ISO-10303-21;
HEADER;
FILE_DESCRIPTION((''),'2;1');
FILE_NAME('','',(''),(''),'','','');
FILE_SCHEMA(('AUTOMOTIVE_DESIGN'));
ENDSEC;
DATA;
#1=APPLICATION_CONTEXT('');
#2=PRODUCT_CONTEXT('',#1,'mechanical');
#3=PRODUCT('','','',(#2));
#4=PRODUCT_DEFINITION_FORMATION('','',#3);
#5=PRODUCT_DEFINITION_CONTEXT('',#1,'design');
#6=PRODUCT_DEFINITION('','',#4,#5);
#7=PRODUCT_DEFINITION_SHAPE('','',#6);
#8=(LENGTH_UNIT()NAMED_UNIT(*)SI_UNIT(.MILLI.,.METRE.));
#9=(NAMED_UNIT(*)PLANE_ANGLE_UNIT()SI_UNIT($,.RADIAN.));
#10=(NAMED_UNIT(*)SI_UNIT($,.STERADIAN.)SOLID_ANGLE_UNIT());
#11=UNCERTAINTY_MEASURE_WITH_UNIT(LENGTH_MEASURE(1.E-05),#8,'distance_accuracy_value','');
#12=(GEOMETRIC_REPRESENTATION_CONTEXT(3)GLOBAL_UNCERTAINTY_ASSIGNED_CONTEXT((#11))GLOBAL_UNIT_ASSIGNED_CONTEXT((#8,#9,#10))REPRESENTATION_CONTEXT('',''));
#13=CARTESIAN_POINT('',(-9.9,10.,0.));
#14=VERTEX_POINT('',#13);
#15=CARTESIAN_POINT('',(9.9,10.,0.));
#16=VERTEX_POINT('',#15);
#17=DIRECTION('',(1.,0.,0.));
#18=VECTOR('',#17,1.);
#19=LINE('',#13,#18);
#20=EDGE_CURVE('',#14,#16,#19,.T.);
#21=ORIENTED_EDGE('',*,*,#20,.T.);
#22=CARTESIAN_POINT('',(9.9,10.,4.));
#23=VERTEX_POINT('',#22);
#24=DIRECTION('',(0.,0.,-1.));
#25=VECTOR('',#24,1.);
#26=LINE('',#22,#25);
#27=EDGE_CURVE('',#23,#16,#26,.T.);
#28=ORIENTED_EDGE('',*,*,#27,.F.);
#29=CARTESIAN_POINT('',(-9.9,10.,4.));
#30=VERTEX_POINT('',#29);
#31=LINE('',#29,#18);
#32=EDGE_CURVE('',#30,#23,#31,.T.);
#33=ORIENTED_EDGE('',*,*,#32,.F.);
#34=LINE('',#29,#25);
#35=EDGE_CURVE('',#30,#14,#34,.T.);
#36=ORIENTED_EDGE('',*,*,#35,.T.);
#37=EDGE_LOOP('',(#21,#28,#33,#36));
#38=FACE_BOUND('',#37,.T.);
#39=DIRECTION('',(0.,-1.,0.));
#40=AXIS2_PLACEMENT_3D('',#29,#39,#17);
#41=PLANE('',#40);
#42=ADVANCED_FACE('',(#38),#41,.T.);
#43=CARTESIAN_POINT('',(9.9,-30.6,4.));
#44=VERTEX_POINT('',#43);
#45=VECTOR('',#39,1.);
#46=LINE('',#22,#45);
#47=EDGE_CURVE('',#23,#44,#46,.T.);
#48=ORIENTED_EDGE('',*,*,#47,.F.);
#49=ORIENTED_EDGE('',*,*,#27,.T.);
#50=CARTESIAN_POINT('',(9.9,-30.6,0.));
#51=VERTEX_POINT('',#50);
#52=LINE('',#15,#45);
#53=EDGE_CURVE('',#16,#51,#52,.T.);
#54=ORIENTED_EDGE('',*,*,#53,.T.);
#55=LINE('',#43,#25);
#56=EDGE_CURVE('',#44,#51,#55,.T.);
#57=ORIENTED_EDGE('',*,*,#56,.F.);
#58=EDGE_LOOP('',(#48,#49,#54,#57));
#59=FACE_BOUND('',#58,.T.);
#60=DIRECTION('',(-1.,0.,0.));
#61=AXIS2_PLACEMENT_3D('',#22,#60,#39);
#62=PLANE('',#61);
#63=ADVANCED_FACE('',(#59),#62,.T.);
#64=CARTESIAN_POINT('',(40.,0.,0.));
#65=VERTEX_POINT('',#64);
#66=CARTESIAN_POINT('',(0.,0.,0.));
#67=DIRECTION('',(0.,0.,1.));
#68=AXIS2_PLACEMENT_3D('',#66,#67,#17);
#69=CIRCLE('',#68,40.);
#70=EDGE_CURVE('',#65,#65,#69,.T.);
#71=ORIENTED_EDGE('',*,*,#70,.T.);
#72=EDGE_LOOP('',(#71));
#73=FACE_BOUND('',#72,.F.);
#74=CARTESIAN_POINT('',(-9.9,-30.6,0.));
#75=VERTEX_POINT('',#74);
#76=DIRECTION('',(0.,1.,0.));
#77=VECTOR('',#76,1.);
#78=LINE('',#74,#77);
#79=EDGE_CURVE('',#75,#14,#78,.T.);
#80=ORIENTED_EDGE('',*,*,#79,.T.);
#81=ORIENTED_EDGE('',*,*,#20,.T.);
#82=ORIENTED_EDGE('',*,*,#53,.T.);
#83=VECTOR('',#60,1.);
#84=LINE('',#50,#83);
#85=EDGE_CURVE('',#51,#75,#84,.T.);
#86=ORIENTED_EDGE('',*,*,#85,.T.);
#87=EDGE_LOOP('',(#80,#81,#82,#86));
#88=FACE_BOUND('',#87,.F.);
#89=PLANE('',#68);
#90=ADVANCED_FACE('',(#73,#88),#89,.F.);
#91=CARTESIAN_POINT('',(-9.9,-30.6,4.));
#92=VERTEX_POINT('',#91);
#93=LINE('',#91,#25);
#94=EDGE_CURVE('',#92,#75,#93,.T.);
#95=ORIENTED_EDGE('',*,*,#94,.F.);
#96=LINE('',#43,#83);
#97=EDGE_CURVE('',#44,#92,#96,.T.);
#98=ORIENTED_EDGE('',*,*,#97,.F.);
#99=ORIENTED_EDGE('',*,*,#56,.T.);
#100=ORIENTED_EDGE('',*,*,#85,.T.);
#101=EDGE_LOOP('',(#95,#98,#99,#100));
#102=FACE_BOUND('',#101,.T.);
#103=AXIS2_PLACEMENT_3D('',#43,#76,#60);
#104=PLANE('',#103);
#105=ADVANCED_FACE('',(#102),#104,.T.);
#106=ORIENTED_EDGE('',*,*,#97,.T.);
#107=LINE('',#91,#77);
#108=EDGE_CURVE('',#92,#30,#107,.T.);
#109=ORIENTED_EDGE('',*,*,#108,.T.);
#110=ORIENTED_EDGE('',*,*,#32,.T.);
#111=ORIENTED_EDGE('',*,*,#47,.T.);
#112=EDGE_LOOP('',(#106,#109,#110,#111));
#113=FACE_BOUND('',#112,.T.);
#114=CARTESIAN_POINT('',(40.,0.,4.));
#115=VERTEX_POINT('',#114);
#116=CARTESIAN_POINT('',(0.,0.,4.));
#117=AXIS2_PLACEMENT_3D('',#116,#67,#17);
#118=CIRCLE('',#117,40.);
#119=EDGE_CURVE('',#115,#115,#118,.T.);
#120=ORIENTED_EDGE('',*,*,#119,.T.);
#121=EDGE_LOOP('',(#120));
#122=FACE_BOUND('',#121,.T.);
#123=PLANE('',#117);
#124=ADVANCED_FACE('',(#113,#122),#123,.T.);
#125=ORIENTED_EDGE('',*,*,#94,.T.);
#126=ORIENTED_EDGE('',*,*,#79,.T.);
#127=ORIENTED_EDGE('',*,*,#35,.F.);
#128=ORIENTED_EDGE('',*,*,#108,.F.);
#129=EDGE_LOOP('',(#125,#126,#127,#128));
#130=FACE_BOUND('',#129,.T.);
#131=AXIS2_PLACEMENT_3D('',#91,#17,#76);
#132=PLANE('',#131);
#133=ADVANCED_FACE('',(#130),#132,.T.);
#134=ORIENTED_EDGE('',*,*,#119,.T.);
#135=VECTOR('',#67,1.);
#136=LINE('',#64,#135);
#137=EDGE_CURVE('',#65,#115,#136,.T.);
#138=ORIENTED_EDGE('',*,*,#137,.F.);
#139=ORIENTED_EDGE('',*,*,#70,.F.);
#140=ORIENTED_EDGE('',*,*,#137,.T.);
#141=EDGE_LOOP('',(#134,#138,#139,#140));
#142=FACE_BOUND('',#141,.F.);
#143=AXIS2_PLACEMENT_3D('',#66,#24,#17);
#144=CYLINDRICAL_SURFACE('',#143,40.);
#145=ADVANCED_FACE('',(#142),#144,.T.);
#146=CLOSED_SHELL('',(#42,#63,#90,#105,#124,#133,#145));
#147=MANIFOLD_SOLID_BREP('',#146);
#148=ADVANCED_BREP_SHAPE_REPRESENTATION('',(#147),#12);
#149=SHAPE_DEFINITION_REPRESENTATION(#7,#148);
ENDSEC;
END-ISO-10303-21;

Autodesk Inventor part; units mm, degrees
ref_plane "YZ Plane" through (0, 0, 0) normal (1, 0, 0) x (0, 1, 0)
ref_plane "XZ Plane" through (0, 0, 0) normal (0, 1, 0) x (-1, 0, 0)
ref_plane "XY Plane" through (0, 0, 0) normal (0, 0, 1) x (1, 0, 0)
sketch "Sketch1" plane through (0, 0, 0) normal (0, 0, 1) x (1, 0, 0)
  circle A0 centre (0, 0) radius 40
  circle A1 centre (0, 0) radius 5.375
  dimension "d0" = 80
  dimension "d1" = 10.75
extrude "Extrusion1" add sketch "Sketch1" along normal blind 4
sketch "Sketch5" plane through (0, 0, 4) normal (0, 0, 1) x (1, 0, 0)
  point P0 (0, 0)
sketch "Sketch7" plane through (0, 0, 4) normal (0, 0, 1) x (1, 0, 0)
  line L0 (-9.9, 10) -> (9.9, 10)
  line L1 (9.9, 10) -> (9.9, -30.6)
  line L2 (9.9, -30.6) -> (-9.9, -30.6)
  line L3 (-9.9, -30.6) -> (-9.9, 10)
  circle A0 centre (0, 0) radius 5.375 projected
  dimension "d19" = 19.8
  dimension "d20" = 40.6
  dimension "d21" = 10
  dimension "d22" = 9.9
extrude "Extrusion5" cut sketch "Sketch7" against normal blind 4
properties part number "base22"
